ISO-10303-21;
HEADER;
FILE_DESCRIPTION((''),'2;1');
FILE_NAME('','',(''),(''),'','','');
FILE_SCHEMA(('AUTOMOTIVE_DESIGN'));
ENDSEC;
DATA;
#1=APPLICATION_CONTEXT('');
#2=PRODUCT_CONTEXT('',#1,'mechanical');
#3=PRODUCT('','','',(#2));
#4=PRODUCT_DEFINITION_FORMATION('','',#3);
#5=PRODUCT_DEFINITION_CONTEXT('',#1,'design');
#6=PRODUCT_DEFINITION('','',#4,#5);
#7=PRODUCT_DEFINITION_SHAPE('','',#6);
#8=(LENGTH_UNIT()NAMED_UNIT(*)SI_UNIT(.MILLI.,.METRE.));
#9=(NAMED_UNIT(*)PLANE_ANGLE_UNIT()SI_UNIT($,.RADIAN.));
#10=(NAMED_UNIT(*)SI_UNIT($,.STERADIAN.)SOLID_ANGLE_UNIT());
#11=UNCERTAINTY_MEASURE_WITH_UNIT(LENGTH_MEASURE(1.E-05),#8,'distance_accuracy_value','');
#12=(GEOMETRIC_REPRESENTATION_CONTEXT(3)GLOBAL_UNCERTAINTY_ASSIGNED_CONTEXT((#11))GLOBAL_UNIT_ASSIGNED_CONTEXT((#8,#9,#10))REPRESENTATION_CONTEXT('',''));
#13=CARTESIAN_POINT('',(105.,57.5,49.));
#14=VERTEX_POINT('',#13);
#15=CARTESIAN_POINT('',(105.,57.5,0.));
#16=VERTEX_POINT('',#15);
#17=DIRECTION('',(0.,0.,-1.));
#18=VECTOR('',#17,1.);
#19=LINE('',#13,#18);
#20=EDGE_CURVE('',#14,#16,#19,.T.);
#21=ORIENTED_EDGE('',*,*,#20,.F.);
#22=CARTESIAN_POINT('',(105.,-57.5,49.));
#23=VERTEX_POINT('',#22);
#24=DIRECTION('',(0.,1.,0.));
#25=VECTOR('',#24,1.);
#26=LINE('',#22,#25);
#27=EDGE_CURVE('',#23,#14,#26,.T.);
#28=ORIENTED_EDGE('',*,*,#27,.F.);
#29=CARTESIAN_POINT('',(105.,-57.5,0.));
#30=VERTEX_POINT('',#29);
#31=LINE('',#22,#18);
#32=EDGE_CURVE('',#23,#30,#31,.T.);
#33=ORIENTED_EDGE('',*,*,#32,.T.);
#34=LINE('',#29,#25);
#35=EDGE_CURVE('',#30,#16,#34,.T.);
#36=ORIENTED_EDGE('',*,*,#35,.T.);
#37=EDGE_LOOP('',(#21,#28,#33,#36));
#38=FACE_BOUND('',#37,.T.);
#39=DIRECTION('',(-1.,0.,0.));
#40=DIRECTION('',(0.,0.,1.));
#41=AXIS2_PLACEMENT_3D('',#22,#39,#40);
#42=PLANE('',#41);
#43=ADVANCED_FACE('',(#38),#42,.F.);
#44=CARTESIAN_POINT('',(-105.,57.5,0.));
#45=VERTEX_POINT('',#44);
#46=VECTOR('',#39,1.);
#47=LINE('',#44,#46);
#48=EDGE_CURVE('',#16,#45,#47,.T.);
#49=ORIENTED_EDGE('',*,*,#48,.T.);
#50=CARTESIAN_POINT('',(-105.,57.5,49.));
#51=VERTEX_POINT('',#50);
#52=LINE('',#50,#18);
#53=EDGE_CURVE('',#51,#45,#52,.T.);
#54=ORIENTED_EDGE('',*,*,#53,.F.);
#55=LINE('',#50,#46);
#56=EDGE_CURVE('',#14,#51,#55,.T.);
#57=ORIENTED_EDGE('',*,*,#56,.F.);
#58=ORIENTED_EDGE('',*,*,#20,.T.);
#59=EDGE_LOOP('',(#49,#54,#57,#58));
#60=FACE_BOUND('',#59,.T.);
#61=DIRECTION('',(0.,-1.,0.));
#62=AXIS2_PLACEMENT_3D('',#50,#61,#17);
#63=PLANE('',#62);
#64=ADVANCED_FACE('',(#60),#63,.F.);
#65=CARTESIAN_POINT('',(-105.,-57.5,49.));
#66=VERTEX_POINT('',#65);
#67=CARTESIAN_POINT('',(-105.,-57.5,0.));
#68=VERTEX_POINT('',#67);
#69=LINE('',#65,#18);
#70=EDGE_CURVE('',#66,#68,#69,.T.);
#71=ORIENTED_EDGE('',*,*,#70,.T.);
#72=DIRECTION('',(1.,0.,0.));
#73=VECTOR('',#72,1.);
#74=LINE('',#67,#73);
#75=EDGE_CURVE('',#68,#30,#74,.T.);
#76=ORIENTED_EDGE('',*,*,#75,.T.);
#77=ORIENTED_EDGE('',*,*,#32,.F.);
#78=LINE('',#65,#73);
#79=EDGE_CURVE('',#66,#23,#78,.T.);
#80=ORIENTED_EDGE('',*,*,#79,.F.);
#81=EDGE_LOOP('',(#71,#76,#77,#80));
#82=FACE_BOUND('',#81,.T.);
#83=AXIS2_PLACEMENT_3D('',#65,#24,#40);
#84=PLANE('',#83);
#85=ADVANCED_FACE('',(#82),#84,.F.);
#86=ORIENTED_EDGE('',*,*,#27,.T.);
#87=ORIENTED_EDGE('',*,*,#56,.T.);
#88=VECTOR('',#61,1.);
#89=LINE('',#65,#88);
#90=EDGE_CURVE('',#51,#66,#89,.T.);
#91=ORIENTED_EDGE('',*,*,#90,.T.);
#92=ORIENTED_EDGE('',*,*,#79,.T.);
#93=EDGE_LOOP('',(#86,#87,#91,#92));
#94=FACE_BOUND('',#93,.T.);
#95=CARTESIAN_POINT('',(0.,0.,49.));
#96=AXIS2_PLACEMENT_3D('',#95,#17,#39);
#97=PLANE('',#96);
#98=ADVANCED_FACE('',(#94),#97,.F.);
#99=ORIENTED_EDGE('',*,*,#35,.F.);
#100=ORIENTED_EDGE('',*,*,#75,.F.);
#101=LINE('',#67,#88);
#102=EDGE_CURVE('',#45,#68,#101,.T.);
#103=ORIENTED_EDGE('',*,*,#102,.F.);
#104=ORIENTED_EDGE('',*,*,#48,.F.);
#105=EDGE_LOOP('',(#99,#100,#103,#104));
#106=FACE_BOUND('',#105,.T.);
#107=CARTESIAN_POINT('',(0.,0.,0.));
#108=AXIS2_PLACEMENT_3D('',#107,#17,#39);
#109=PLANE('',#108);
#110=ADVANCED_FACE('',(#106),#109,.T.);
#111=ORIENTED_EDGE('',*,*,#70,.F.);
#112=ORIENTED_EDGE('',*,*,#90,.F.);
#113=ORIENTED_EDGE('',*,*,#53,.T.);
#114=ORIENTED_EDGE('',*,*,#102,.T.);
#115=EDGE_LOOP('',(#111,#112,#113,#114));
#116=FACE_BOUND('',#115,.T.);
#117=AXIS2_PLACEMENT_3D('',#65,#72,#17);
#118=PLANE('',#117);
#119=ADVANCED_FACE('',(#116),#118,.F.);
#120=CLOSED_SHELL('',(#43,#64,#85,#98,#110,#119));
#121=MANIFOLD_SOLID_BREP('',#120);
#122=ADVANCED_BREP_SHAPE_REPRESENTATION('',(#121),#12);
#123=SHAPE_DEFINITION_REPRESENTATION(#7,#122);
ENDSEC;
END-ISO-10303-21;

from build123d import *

# Parameters (mm, degrees)
SKETCH_1_W      = 210
SKETCH_1_H      = 115
EXTRUDE_1_DEPTH = 49


with BuildPart() as part:
    # 草图1 → 凸台-拉伸1 (new body)
    with BuildSketch(Plane.XY):
        Rectangle(SKETCH_1_W, SKETCH_1_H)
    extrude(amount=EXTRUDE_1_DEPTH)


solid = part.part
